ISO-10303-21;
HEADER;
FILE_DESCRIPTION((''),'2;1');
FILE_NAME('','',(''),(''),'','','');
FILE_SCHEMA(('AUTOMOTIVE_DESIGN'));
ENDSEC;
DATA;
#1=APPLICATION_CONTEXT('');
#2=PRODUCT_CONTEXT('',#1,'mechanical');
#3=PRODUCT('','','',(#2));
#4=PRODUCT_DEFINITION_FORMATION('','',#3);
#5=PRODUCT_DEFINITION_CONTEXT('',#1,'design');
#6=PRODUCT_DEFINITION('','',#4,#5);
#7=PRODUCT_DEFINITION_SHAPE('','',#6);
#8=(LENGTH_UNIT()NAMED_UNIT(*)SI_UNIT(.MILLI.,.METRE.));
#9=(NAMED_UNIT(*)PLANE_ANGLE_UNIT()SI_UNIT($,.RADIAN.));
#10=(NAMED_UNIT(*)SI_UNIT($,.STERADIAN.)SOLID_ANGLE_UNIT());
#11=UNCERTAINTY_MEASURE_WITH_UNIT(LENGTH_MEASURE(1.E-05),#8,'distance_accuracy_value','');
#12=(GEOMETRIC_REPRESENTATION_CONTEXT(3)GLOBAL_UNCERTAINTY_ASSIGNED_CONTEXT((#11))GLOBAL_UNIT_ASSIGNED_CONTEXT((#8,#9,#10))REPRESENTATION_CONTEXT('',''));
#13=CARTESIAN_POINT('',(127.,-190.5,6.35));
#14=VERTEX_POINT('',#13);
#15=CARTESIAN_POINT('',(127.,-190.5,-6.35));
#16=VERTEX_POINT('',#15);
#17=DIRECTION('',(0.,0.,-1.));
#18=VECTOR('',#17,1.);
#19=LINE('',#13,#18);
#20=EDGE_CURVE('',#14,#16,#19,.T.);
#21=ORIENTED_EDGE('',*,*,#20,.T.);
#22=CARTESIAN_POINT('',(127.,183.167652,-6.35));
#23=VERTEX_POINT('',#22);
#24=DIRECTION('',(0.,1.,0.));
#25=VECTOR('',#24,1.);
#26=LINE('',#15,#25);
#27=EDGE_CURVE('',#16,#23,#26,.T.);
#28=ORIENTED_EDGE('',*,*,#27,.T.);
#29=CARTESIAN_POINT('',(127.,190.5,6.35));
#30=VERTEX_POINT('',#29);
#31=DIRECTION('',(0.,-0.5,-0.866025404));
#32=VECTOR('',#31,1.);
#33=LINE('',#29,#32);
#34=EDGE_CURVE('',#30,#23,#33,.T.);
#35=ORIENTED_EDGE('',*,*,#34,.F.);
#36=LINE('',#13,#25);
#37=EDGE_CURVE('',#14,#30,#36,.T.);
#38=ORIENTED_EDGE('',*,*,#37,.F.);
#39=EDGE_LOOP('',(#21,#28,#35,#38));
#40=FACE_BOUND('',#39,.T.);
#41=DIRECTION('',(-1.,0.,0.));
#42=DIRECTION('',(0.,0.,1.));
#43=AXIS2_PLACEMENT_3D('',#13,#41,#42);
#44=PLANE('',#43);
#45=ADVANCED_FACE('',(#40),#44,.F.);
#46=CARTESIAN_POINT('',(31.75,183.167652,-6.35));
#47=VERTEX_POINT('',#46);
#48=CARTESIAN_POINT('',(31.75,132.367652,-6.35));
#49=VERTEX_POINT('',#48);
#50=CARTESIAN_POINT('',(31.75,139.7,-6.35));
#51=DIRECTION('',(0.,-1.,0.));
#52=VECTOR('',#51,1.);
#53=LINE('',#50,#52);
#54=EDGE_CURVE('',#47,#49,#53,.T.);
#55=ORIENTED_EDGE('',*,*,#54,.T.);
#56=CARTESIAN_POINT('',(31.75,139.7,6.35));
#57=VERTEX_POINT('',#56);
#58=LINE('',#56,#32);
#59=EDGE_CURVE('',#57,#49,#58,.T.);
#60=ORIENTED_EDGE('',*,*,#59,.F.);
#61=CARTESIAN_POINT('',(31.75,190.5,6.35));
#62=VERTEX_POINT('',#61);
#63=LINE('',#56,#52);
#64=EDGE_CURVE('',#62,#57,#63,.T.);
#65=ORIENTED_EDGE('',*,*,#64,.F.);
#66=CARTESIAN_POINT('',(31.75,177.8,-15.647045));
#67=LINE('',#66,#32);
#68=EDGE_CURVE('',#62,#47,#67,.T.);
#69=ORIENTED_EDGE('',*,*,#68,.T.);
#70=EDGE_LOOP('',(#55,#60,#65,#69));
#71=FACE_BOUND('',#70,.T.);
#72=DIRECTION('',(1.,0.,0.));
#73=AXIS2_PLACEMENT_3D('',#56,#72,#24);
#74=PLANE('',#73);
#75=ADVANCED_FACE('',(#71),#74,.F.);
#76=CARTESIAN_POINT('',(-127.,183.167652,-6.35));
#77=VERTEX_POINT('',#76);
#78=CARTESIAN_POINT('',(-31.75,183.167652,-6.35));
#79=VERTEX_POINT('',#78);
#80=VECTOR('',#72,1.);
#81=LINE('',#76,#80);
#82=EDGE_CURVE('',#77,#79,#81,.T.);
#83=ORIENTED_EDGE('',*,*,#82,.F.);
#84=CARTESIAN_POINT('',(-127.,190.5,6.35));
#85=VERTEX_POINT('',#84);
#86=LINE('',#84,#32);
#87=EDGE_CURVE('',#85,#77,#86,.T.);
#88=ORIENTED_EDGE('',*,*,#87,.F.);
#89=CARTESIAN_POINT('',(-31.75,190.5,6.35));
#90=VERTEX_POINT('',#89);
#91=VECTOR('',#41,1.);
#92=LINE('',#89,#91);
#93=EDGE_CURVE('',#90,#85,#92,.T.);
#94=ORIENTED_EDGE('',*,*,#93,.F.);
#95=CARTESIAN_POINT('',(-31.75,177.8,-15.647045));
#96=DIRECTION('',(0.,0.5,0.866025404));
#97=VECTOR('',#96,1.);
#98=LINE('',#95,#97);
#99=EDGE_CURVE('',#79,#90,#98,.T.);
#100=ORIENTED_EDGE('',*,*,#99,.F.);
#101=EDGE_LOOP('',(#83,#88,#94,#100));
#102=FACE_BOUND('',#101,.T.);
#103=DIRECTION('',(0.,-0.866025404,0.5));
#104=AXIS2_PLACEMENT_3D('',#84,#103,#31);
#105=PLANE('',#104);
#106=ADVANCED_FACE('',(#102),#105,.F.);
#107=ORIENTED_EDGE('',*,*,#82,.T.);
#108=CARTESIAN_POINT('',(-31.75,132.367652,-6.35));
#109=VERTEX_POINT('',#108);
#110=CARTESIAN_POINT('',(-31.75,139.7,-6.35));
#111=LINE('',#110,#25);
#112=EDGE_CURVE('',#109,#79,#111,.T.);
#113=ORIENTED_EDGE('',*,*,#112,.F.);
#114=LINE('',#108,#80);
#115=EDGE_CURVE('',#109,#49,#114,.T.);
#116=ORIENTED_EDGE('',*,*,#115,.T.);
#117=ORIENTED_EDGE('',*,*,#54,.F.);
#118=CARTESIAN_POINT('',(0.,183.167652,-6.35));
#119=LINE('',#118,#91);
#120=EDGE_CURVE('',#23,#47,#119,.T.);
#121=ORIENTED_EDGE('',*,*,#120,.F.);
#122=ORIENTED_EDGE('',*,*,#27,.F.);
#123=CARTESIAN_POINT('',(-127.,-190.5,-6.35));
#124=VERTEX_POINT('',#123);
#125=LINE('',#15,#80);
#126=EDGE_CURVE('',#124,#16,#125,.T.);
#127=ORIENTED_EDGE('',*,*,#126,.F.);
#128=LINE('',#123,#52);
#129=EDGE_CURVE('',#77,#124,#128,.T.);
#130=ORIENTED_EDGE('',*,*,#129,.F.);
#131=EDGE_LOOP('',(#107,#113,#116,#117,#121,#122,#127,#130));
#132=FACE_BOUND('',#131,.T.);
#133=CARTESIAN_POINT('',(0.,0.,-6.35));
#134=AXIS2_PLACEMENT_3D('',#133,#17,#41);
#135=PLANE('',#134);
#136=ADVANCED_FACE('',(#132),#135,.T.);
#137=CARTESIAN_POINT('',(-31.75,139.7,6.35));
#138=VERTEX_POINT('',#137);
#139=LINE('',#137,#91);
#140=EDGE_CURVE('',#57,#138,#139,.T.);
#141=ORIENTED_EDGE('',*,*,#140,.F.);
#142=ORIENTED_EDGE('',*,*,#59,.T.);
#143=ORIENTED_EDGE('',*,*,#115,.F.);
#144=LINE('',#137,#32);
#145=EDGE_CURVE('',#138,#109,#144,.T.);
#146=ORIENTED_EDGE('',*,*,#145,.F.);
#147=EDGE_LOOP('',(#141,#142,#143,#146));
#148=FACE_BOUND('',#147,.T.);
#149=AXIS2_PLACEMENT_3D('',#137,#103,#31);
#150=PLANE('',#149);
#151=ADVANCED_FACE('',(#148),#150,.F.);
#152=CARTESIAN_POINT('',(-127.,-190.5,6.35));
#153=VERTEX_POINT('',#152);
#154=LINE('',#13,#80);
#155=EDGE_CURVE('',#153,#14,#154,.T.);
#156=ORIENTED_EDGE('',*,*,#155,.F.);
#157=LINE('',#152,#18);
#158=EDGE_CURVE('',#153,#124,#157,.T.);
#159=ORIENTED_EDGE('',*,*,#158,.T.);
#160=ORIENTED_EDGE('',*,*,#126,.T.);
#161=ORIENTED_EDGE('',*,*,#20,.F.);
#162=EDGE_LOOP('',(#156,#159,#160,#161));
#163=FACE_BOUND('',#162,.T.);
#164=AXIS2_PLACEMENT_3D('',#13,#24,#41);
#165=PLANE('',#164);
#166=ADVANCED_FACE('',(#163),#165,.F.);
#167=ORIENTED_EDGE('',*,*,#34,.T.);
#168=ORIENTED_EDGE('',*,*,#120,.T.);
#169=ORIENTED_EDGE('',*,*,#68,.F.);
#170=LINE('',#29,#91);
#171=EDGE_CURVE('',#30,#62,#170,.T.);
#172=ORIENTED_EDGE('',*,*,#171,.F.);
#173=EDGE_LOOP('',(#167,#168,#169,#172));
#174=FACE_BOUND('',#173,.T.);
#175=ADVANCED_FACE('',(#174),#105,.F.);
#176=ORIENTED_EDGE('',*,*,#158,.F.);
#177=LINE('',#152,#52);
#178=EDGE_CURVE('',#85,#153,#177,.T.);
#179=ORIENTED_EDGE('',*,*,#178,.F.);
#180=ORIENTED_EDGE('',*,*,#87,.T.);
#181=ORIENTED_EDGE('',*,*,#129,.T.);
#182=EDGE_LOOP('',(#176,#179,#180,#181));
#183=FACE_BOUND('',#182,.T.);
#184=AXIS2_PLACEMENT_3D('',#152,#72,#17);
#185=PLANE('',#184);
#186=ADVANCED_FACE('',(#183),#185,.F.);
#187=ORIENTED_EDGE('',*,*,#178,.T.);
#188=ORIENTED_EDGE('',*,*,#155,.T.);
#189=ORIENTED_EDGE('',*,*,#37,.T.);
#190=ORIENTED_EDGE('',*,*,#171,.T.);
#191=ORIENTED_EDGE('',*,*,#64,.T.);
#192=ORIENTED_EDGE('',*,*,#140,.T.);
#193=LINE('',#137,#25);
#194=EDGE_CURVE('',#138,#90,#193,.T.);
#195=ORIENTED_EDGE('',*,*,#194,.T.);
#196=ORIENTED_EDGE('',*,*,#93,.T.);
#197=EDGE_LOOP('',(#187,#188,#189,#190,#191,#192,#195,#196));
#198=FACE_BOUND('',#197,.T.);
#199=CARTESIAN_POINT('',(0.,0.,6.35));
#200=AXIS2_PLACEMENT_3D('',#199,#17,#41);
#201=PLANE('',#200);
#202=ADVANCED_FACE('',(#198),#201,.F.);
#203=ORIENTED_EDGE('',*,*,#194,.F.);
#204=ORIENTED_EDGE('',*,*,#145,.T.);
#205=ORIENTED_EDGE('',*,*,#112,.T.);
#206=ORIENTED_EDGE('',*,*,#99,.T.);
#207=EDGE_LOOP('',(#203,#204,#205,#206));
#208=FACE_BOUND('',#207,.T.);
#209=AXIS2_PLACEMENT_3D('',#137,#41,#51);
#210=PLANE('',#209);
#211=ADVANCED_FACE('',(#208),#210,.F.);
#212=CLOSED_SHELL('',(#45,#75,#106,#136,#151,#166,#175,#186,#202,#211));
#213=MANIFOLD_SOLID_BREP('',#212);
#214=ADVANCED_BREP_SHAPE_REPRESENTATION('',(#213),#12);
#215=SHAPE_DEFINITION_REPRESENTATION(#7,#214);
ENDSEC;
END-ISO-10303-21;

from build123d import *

# Parameters (mm, degrees)
BOSS_EXTRUDE1_DEPTH = 6.35
CUT_EXTRUDE1_DEPTH  = 31.75
CUT_EXTRUDE2_DEPTH  = 127


with BuildPart() as part:
    # Sketch1 → Boss-Extrude1 (new, symmetric)
    with BuildSketch(Plane.XY):
        Polygon((127, -190.5), (-127, -190.5), (-127, 190.5), (-31.75, 190.5), (-31.75, 139.7), (31.75, 139.7), (31.75, 190.5), (127, 190.5), align=None)
    extrude(amount=BOSS_EXTRUDE1_DEPTH, both=True)

    # Sketch4 → Cut-Extrude1 (cut, symmetric)
    with BuildSketch(Plane(origin=(0, 0, 0), x_dir=(0, 0, -1), z_dir=(1, 0, 0))):
        Polygon((-6.35, 139.7), (6.35, 139.7), (6.35, 132.367651581), align=None)
        Polygon((-6.35, 190.5), (6.35, 190.5), (6.35, 183.167651581), align=None)
    extrude(amount=CUT_EXTRUDE1_DEPTH, both=True, mode=Mode.SUBTRACT)

    # Sketch5 → Cut-Extrude2 (cut, symmetric)
    with BuildSketch(Plane(origin=(0, 0, 0), x_dir=(0, 0, -1), z_dir=(1, 0, 0))):
        Polygon((-6.35, 190.5), (6.35, 190.5), (6.35, 183.167651581), align=None)
    extrude(amount=CUT_EXTRUDE2_DEPTH, both=True, mode=Mode.SUBTRACT)


solid = part.part
